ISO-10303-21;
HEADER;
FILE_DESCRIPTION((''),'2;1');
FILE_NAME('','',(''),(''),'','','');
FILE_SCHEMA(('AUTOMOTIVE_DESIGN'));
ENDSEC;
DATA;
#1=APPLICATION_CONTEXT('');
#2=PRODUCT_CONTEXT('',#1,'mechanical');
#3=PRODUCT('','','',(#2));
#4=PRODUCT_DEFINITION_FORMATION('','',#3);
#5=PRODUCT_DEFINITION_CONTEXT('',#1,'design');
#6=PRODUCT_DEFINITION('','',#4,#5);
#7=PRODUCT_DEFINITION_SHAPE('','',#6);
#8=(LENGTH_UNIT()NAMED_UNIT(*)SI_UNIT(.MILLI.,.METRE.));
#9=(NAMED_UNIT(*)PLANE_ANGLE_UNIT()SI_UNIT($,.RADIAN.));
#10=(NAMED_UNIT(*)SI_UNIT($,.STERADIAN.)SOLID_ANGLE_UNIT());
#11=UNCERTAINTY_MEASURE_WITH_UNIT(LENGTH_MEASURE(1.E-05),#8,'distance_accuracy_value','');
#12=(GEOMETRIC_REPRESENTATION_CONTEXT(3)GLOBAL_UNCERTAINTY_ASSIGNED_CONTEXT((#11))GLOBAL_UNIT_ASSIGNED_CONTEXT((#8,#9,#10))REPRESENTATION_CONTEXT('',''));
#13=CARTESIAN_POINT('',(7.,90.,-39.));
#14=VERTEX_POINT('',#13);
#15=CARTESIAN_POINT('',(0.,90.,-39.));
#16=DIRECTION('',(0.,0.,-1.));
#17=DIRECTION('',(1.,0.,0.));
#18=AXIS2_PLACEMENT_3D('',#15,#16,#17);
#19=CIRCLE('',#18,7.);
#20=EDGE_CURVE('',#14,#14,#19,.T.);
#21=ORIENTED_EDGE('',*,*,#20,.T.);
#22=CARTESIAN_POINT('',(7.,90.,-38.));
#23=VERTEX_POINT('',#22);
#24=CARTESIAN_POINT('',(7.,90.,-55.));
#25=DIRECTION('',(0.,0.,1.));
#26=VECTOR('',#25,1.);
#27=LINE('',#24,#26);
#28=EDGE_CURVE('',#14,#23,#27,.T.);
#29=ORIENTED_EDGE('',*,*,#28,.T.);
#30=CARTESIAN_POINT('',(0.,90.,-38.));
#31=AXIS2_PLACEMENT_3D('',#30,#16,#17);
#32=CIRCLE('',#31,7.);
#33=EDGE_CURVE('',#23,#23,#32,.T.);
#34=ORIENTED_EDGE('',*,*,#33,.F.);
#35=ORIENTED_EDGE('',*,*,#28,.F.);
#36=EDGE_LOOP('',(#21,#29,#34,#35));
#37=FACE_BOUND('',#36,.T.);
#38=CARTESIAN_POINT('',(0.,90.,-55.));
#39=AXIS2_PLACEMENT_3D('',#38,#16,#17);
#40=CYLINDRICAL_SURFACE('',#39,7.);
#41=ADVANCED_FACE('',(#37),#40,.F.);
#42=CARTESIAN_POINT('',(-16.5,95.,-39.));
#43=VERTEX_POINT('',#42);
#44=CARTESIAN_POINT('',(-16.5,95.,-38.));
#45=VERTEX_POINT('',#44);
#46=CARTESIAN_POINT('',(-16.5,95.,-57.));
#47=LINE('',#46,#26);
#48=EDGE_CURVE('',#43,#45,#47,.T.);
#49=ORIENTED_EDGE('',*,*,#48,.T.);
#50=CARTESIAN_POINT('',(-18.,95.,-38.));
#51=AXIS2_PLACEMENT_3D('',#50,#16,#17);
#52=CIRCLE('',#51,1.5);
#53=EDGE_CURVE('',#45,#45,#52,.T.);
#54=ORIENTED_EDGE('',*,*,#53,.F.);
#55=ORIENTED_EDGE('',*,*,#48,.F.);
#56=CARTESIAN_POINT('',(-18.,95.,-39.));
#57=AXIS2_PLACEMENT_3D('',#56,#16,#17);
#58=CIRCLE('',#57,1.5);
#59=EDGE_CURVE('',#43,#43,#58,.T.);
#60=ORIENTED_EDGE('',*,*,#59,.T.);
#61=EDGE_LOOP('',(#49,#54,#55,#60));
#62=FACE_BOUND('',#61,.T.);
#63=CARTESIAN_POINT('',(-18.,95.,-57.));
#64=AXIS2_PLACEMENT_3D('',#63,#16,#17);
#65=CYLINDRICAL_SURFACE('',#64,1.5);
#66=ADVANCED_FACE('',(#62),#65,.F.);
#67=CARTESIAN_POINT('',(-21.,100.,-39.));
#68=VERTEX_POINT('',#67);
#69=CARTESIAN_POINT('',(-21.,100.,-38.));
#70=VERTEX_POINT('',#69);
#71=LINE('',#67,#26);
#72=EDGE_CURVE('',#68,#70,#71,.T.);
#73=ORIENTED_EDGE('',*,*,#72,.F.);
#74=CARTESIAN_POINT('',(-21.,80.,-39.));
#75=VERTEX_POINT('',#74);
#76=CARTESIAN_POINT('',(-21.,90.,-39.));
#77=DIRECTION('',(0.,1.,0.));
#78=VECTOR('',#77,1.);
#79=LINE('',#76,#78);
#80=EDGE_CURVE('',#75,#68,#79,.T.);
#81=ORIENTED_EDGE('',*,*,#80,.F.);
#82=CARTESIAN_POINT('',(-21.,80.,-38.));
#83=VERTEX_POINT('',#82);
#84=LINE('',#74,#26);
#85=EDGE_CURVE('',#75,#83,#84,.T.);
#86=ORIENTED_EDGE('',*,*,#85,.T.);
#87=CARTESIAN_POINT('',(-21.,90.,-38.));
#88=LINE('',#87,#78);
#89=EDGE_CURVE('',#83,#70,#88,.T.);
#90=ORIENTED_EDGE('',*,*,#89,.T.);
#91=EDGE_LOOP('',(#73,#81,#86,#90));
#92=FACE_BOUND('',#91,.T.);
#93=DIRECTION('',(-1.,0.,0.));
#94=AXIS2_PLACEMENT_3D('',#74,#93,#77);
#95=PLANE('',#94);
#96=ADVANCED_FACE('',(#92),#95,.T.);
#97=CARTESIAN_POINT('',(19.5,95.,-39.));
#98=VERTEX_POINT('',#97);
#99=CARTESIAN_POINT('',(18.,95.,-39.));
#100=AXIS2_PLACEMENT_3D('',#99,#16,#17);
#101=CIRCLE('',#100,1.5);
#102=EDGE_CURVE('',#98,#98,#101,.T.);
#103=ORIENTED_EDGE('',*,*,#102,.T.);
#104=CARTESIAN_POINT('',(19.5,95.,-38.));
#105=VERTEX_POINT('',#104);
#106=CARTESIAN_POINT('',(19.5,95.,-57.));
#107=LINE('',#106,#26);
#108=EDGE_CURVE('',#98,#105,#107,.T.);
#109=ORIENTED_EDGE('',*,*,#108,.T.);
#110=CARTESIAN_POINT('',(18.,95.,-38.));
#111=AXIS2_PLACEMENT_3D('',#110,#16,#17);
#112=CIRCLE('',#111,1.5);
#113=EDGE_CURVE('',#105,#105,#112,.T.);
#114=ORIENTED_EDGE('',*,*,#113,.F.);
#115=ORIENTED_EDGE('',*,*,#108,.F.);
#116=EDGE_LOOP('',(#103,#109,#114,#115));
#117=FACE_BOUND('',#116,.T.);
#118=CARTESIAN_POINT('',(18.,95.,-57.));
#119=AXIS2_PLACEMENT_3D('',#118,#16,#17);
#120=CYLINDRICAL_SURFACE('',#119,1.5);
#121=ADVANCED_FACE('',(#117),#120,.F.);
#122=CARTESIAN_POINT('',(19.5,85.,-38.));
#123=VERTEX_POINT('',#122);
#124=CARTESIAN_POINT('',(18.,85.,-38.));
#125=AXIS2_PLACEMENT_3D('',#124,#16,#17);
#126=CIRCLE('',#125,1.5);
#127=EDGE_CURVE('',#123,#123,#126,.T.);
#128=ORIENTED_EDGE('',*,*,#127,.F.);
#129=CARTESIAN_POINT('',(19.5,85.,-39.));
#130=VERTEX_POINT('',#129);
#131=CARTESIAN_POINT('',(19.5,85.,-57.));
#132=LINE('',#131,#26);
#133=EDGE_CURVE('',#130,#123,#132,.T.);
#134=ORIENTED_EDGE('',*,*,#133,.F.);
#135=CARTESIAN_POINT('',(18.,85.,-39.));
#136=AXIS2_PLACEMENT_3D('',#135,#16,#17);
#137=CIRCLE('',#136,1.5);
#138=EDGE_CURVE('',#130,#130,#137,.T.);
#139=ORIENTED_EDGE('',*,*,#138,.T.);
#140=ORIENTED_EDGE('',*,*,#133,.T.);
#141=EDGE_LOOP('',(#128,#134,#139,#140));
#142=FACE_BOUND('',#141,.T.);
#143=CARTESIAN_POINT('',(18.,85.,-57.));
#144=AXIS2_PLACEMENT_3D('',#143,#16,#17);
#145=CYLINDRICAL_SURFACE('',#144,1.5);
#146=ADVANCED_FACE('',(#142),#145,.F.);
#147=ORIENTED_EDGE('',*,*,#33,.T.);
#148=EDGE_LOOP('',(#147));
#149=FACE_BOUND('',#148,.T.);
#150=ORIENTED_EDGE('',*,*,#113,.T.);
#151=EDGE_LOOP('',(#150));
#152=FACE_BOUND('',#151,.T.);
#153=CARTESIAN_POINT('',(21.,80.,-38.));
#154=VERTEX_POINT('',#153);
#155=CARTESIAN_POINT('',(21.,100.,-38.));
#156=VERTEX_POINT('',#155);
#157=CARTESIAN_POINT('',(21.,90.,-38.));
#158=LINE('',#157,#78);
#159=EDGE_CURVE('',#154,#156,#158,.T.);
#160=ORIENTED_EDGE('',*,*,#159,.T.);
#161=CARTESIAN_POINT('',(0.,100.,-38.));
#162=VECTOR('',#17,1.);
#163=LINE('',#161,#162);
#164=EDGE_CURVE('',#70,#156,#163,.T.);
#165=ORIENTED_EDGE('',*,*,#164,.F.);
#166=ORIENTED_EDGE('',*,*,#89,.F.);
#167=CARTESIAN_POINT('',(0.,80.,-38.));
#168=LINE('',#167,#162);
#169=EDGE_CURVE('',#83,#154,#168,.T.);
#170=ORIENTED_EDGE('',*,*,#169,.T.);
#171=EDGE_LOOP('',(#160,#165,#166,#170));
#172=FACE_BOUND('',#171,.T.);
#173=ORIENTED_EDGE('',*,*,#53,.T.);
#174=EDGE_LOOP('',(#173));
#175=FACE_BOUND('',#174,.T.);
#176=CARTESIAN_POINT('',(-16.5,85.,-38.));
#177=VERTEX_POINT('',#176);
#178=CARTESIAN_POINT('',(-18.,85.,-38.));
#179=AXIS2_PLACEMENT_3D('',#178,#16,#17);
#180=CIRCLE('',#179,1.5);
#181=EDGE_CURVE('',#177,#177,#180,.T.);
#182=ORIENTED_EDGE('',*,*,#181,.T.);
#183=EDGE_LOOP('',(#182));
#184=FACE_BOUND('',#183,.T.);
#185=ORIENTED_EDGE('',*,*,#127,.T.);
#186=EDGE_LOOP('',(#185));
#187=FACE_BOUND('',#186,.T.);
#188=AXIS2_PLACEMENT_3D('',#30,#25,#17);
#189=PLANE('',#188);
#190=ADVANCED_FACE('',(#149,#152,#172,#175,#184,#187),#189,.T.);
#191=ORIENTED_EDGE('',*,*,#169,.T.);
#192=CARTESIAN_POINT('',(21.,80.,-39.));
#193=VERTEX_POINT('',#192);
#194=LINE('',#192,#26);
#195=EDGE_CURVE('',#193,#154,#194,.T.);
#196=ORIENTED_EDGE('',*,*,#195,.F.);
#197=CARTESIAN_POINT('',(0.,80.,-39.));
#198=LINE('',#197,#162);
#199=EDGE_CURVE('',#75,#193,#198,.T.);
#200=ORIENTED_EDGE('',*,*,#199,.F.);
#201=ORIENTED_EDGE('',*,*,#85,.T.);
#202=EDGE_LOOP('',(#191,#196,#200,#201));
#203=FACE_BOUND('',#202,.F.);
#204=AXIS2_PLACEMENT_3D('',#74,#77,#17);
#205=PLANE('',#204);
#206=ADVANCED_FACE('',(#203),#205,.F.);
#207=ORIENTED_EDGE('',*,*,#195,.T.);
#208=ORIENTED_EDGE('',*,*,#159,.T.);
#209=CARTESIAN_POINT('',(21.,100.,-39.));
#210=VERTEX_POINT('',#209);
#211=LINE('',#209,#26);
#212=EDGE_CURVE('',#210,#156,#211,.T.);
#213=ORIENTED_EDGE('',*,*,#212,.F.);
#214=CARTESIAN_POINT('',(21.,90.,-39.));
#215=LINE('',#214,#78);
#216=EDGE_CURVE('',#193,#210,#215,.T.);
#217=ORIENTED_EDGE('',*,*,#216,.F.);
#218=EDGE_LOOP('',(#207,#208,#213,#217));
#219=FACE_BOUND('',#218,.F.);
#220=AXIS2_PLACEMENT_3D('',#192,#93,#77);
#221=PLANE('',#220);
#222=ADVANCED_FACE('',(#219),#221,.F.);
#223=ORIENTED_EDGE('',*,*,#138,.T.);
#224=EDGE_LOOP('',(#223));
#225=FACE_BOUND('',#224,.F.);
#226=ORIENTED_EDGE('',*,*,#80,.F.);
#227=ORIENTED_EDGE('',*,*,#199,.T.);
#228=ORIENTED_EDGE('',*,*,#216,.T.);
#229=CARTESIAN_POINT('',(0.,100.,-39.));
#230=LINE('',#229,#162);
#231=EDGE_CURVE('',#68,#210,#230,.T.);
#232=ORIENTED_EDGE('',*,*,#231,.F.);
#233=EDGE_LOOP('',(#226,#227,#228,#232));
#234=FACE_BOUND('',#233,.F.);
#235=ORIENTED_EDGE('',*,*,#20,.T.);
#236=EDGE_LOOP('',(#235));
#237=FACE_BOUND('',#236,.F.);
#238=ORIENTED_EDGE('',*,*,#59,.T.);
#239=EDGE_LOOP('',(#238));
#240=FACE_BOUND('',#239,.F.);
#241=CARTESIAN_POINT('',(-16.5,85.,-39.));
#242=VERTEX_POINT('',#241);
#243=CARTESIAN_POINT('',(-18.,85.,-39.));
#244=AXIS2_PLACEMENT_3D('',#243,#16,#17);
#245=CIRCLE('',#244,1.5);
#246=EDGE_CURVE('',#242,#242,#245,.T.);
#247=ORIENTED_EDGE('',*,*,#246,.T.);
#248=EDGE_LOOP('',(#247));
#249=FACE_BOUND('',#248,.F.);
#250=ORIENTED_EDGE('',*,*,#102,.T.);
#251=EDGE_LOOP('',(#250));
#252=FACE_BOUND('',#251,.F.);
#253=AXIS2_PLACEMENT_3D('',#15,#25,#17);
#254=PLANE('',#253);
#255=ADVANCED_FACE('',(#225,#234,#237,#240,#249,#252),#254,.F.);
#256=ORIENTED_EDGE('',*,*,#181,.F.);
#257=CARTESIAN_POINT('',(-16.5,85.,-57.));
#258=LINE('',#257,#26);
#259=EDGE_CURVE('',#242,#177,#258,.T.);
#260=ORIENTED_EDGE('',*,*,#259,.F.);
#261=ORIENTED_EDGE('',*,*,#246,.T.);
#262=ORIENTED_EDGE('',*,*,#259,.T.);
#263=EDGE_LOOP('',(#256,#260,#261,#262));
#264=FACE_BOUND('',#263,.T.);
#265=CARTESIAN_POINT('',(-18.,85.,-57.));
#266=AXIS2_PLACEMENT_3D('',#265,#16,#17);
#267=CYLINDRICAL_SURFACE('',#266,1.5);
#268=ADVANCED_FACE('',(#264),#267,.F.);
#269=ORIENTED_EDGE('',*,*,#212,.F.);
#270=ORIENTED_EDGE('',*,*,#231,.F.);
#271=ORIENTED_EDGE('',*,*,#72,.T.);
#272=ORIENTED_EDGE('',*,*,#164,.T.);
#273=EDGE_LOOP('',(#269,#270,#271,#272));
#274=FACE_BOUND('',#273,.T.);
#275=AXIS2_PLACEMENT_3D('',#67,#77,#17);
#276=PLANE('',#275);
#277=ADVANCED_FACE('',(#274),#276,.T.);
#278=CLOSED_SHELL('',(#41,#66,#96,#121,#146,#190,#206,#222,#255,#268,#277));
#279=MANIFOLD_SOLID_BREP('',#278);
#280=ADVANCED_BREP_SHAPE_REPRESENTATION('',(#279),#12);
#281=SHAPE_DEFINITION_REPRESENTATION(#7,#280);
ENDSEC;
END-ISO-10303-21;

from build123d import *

# Parameters (mm, degrees)
CYLINDER1639_R     = 1.5
CYLINDER1639_DEPTH = 60
CYLINDER1640_R     = 1.5
CYLINDER1640_DEPTH = 60
CYLINDER1641_R     = 1.5
CYLINDER1641_DEPTH = 60
CYLINDER1638_R     = 1.5
CYLINDER1638_DEPTH = 60
CYLINDER1628_R     = 7
CYLINDER1628_DEPTH = 48
BOX655_W           = 42
BOX655_H           = 20
BOX655_DEPTH       = 1


with BuildPart() as v_lec1639:
    # Cylinder1639 → Cylinder1639 (new body)
    with BuildSketch(Plane(origin=(18, 85, -57), x_dir=(1, 0, 0), z_dir=(0, 0, 1))):
        Circle(CYLINDER1639_R)
    extrude(amount=CYLINDER1639_DEPTH)


with BuildPart() as v_lec1640:
    # Cylinder1640 → Cylinder1640 (new body)
    with BuildSketch(Plane(origin=(-18, 85, -57), x_dir=(1, 0, 0), z_dir=(0, 0, 1))):
        Circle(CYLINDER1640_R)
    extrude(amount=CYLINDER1640_DEPTH)


with BuildPart() as v_lec1641:
    # Cylinder1641 → Cylinder1641 (new body)
    with BuildSketch(Plane(origin=(-18, 95, -57), x_dir=(1, 0, 0), z_dir=(0, 0, 1))):
        Circle(CYLINDER1641_R)
    extrude(amount=CYLINDER1641_DEPTH)


with BuildPart() as compound810:
    # Cylinder1638 → Cylinder1638 (new body)
    with BuildSketch(Plane(origin=(18, 95, -57), x_dir=(1, 0, 0), z_dir=(0, 0, 1))):
        Circle(CYLINDER1638_R)
    extrude(amount=CYLINDER1638_DEPTH)

    # Compound810: union Válec1639, Válec1640, Válec1641
    add(v_lec1639.part)
    add(v_lec1640.part)
    add(v_lec1641.part)


with BuildPart() as v_lec1628:
    # Cylinder1628 → Cylinder1628 (new body)
    with BuildSketch(Plane(origin=(0, 90, -55), x_dir=(1, 0, 0), z_dir=(0, 0, 1))):
        Circle(CYLINDER1628_R)
    extrude(amount=CYLINDER1628_DEPTH)


with BuildPart() as j_max_encoder_washer:
    # Box655 → Box655 (new body)
    with BuildSketch(Plane(origin=(-21, 80, -39), x_dir=(1, 0, 0), z_dir=(0, 0, 1))):
        with Locations((21, 10)):
            Rectangle(BOX655_W, BOX655_H)
    extrude(amount=BOX655_DEPTH)

    # Cut317: cut Válec1628
    add(v_lec1628.part, mode=Mode.SUBTRACT)

    # Cut322: cut Compound810
    add(compound810.part, mode=Mode.SUBTRACT)


solid = j_max_encoder_washer.part
